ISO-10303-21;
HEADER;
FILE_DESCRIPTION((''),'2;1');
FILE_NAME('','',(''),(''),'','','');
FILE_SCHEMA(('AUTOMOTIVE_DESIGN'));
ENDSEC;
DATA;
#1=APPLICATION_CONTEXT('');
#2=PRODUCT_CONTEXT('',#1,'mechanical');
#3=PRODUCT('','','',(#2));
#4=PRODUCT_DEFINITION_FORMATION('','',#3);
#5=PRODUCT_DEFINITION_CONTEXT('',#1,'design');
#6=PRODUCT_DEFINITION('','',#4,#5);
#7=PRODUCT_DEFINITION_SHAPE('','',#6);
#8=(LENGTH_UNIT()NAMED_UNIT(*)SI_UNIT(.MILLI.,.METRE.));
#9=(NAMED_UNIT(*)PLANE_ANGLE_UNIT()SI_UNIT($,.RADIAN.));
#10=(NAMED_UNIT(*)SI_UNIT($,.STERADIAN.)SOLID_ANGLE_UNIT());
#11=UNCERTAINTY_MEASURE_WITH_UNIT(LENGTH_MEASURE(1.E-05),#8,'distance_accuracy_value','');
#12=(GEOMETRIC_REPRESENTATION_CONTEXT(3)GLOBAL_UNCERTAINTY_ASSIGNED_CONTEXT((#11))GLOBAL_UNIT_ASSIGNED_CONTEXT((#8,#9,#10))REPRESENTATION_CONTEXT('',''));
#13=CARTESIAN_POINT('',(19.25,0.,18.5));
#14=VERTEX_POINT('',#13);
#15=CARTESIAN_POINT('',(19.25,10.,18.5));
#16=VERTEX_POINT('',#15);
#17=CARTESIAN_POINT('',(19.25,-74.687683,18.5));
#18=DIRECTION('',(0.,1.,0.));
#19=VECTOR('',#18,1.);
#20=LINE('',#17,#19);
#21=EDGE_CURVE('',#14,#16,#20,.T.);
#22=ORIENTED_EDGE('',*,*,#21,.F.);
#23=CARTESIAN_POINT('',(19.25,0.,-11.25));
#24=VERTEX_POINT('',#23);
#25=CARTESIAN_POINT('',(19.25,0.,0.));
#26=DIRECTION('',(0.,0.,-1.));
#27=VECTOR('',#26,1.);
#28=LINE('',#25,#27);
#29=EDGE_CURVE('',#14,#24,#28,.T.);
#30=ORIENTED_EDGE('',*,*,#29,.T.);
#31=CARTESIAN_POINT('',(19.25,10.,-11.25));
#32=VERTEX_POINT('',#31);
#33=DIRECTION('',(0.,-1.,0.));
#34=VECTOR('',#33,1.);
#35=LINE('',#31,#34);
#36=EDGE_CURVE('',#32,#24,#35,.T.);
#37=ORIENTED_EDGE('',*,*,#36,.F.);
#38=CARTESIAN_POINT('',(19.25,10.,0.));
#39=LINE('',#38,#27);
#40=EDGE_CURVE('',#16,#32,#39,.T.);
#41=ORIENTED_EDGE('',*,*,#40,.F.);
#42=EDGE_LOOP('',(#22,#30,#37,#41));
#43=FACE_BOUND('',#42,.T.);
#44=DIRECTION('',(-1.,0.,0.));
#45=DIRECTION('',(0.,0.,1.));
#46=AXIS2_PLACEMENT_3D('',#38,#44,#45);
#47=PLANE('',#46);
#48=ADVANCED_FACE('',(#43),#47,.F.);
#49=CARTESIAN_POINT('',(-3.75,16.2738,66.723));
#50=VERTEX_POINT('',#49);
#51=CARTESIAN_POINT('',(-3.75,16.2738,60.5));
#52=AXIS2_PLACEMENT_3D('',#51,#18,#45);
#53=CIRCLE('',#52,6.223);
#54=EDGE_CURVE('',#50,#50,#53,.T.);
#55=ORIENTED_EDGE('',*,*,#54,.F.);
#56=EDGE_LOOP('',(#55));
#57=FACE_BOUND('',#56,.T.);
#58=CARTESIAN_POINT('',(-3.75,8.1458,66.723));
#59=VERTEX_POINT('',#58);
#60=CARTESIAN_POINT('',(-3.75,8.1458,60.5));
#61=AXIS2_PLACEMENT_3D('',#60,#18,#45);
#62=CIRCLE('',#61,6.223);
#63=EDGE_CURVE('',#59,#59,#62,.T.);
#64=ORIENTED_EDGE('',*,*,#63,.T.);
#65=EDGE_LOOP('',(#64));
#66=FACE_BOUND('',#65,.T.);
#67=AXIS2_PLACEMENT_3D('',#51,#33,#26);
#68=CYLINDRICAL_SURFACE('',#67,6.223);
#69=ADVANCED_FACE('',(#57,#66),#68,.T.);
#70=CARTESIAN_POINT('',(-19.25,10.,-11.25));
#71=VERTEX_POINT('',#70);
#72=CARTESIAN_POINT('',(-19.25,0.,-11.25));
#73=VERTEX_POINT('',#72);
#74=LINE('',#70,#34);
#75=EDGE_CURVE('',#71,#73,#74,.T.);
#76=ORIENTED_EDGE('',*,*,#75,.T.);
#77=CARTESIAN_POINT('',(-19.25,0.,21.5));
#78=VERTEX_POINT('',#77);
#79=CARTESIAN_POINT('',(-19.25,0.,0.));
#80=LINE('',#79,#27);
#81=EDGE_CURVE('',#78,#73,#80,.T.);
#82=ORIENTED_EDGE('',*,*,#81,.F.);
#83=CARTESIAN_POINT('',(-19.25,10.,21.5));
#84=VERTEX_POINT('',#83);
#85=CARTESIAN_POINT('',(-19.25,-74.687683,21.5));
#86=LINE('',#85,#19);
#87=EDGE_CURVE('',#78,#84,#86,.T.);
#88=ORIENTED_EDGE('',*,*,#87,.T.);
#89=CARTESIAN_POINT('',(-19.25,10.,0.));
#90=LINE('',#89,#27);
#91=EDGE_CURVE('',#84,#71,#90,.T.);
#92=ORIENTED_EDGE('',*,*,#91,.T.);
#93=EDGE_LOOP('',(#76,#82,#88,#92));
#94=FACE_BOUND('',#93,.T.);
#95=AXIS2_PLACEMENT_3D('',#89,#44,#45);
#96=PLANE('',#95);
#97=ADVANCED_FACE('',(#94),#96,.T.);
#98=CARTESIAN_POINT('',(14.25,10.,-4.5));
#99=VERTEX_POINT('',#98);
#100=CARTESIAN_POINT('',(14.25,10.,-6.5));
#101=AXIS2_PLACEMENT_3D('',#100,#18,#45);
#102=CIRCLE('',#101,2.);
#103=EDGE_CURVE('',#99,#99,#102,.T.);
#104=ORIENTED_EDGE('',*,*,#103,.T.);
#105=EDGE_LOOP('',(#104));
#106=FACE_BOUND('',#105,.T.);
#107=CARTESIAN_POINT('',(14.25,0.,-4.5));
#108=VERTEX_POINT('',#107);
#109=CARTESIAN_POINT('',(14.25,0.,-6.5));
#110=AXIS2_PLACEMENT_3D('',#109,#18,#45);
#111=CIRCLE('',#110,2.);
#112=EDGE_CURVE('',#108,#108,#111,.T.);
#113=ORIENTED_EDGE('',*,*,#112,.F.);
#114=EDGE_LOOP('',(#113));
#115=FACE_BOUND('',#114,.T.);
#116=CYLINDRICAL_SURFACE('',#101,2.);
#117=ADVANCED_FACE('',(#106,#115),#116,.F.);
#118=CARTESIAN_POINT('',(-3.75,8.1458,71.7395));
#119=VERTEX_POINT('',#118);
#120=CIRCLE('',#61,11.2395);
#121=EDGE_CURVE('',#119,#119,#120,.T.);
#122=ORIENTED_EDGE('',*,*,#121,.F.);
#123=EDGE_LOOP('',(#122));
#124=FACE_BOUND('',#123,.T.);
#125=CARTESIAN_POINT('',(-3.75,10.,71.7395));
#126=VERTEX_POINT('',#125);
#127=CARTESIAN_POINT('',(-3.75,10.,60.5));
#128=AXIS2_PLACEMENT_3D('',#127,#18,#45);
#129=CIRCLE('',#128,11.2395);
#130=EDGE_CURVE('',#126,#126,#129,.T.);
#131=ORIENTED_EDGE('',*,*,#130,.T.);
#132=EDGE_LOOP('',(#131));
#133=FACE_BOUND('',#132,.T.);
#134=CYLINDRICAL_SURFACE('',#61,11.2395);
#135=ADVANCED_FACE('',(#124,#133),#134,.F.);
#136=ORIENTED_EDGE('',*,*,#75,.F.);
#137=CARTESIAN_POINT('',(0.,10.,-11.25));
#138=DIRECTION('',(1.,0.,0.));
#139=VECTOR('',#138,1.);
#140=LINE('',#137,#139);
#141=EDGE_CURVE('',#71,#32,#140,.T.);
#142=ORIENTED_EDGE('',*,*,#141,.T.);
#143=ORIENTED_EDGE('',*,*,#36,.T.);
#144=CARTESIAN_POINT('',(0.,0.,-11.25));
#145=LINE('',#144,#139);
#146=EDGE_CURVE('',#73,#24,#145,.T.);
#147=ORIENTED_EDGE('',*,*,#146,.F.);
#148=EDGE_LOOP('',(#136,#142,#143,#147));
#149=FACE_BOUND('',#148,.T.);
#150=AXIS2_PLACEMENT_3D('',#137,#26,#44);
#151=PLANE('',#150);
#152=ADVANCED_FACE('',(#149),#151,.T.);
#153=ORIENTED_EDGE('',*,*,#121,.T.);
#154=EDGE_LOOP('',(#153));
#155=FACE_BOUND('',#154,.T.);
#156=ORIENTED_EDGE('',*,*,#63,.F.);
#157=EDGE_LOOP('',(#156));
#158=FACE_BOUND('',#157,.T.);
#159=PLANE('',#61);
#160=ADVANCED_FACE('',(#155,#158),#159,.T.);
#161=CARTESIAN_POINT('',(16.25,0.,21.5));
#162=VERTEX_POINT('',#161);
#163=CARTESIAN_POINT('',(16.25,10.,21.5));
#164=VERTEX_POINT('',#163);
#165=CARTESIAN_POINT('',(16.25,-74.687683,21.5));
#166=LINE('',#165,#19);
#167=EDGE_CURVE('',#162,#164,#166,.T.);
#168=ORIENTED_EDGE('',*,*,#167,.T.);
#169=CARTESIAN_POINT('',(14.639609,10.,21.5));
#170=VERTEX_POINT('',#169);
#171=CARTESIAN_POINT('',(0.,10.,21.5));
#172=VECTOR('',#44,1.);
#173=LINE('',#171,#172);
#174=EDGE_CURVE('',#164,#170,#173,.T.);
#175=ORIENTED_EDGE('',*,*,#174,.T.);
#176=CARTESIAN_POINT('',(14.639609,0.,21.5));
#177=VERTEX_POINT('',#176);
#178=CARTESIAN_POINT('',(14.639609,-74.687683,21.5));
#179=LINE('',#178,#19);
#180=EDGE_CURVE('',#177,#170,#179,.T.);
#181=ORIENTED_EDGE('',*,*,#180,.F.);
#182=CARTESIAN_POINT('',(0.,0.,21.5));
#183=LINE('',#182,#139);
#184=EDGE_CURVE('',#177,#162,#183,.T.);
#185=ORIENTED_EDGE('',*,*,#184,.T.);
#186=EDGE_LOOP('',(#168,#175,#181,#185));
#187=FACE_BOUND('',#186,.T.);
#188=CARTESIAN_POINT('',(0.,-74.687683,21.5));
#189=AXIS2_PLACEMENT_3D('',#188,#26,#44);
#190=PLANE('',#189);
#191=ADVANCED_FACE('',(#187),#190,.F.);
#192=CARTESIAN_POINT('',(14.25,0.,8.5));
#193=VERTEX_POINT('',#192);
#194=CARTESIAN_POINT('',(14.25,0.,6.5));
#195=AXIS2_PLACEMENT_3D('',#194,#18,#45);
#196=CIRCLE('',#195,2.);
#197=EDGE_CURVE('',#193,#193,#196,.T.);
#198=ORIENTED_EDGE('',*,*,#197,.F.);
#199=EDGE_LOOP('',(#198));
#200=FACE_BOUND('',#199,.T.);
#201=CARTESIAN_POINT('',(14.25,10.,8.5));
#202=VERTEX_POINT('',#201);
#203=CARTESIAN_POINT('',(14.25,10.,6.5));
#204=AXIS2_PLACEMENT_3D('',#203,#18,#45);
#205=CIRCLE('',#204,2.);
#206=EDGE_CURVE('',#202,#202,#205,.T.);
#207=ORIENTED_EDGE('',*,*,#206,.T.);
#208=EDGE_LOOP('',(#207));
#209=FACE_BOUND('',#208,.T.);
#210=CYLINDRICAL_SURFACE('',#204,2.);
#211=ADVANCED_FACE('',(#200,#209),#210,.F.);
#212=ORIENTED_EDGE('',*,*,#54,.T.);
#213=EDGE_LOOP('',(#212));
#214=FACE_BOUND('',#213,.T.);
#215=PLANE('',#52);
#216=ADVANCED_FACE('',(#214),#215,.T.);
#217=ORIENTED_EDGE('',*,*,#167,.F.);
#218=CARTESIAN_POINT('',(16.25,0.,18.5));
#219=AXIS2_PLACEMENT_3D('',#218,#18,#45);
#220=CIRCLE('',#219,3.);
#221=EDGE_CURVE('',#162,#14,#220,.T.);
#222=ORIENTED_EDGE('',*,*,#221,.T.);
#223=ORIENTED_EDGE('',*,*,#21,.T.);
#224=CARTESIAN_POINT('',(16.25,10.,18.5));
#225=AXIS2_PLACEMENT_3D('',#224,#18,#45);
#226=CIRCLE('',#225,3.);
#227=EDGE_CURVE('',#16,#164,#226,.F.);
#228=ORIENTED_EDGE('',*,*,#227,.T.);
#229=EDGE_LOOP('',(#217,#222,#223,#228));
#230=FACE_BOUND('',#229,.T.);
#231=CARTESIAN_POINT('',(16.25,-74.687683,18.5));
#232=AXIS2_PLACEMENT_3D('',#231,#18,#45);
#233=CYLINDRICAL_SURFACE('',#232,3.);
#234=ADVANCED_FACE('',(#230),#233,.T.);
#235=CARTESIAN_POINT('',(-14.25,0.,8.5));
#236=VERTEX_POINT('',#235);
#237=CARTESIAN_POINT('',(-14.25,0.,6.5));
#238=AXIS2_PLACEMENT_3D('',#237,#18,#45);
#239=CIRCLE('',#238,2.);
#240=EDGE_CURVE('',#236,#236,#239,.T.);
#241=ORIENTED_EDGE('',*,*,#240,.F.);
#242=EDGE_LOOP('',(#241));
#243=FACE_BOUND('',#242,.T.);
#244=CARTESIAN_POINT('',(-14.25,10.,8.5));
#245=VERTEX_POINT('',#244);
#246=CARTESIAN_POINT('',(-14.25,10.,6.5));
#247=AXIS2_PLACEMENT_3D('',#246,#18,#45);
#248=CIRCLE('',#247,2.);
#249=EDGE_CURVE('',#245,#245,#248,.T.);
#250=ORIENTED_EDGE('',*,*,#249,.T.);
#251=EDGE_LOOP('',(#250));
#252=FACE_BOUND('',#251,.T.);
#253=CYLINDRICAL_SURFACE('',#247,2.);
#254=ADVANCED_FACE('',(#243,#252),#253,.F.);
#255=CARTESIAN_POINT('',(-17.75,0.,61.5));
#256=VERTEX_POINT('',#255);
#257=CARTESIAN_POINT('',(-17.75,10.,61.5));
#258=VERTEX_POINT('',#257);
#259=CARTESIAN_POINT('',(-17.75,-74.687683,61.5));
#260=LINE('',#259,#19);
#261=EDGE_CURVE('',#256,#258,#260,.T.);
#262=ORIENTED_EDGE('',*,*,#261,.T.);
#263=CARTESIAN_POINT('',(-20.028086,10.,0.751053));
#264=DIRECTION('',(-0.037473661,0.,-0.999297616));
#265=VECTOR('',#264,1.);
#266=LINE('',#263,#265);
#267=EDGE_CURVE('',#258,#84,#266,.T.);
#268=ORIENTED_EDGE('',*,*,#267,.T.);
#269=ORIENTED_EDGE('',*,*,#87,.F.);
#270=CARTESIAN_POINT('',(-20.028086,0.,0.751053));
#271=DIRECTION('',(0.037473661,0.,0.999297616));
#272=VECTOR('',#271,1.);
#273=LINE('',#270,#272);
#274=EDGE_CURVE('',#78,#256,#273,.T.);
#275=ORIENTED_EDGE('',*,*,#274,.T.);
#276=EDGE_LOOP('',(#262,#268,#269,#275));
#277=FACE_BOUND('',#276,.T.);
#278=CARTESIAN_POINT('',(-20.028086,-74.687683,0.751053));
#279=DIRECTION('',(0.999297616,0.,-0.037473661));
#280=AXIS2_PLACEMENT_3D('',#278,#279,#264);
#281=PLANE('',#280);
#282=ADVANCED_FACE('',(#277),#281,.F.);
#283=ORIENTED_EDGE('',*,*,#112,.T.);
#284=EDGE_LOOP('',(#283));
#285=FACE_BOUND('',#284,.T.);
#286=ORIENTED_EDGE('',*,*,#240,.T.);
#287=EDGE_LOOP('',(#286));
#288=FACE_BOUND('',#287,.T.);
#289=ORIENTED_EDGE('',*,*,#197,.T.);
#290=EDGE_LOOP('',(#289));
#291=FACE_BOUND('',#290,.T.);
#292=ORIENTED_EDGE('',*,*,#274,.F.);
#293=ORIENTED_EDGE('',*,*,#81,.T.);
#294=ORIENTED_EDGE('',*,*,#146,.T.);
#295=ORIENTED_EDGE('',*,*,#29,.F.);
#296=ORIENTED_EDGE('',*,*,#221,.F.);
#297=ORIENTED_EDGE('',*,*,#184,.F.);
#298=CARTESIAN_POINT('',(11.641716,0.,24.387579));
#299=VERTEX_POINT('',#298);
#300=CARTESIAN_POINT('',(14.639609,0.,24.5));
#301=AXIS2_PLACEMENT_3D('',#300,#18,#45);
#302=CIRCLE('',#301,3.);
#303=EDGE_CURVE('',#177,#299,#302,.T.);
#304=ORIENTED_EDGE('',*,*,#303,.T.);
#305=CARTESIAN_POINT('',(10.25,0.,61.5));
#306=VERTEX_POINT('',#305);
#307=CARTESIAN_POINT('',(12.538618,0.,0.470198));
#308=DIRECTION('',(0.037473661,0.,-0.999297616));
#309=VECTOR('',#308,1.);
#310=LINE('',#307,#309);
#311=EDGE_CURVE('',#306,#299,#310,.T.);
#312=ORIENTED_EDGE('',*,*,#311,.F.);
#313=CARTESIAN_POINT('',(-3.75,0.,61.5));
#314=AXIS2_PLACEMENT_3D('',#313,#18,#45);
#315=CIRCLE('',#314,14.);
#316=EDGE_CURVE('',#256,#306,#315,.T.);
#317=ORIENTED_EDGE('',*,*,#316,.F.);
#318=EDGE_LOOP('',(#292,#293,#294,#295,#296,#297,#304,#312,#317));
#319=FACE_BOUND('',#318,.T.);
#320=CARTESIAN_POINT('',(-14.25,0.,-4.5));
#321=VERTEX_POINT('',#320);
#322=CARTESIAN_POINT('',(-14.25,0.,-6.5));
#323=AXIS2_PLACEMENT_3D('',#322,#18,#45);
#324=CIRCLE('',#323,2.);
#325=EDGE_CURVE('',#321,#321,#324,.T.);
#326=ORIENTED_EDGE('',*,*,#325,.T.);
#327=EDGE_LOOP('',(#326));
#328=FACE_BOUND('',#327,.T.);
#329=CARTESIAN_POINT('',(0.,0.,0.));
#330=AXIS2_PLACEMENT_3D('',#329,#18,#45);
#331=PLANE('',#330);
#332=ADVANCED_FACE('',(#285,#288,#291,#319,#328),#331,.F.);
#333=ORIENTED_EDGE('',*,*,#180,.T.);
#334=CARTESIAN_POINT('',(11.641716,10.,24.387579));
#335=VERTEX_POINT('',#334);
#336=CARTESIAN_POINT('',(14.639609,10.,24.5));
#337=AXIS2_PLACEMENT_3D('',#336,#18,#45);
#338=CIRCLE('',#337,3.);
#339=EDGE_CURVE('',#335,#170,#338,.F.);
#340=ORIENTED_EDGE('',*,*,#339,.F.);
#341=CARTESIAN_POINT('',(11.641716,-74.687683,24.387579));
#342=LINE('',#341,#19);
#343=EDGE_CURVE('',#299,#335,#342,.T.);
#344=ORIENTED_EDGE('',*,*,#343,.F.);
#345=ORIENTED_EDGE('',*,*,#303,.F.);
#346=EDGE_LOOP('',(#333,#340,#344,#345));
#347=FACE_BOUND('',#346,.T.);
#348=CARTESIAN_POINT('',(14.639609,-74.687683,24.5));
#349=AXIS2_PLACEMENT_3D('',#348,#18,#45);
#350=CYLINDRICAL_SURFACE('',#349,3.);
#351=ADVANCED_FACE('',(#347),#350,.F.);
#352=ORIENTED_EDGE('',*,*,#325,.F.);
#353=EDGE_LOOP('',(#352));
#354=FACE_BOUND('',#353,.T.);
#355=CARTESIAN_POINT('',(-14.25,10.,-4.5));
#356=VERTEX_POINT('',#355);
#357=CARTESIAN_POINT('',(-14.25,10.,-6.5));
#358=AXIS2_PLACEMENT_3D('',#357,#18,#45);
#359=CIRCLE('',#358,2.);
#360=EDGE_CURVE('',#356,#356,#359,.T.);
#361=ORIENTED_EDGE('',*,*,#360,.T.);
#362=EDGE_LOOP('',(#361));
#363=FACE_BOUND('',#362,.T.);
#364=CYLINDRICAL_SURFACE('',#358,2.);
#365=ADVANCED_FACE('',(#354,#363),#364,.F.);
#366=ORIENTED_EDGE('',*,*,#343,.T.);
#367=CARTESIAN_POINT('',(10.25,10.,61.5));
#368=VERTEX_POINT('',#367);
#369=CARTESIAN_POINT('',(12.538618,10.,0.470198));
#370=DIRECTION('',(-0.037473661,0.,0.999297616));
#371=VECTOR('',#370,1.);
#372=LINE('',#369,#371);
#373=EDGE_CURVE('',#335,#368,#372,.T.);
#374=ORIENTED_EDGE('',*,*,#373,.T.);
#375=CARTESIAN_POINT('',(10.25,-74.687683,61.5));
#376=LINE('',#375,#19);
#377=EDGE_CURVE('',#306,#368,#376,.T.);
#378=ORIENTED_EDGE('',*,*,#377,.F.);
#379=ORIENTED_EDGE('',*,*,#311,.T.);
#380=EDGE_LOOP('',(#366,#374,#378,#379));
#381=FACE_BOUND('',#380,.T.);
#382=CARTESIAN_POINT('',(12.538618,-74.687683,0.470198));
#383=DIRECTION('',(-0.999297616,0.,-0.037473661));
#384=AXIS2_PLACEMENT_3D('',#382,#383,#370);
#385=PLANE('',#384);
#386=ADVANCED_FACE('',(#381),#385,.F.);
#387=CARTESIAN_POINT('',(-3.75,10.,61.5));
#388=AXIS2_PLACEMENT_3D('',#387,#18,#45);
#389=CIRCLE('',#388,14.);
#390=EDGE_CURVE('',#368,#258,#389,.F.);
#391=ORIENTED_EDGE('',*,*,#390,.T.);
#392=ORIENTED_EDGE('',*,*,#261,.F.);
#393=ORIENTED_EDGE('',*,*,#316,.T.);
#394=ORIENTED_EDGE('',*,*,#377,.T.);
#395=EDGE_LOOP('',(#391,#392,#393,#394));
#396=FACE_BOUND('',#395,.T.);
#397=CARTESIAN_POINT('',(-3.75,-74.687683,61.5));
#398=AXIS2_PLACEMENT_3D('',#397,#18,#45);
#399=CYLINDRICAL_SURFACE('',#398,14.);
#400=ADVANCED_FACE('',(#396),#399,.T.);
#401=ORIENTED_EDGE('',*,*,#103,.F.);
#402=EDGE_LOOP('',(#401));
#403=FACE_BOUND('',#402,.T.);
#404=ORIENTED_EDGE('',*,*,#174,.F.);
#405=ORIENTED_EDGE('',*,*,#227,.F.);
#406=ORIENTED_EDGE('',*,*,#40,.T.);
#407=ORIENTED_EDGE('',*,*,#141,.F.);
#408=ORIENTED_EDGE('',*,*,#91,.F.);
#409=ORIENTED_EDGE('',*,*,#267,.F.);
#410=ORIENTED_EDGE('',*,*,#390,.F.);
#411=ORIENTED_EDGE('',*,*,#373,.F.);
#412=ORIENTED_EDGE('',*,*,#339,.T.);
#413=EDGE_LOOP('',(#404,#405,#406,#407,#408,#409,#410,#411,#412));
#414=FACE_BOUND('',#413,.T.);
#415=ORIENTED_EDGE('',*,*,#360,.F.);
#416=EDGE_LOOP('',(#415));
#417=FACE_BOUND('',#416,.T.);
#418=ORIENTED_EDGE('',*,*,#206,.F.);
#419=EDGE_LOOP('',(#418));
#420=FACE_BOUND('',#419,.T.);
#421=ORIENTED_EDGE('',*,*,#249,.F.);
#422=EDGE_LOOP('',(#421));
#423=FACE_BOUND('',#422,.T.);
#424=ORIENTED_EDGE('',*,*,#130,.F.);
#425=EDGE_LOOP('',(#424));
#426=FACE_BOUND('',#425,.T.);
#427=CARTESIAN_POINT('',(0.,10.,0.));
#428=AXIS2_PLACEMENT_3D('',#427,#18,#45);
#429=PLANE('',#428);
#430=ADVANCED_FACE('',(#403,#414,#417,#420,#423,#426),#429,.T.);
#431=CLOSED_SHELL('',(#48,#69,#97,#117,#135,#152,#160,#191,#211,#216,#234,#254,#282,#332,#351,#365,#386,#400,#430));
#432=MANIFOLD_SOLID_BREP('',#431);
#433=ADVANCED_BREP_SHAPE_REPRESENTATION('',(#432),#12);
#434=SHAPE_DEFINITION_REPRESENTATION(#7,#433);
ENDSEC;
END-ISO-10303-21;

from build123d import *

# Parameters (mm, degrees)
SKETCH1_W             = 38.5
SKETCH1_H             = 22.75
BOSS_EXTRUDE1_DEPTH   = 10
F_4_0MM_DOWEL_HOLE1_D = 4
BOSS_EXTRUDE2_DEPTH   = 10
SKETCH5_R             = 11.2395
CUT_EXTRUDE1_DEPTH    = 1.8542
SKETCH6_R             = 6.223
BOSS_EXTRUDE3_DEPTH   = 8.128


with BuildPart() as part:
    # Sketch1 → Boss-Extrude1 (new body)
    with BuildSketch(Plane(origin=(0, 0, 0), x_dir=(1, 0, 0), z_dir=(0, 1, 0))):
        with Locations((0, -0.125)):
            Rectangle(SKETCH1_W, SKETCH1_H)
    extrude(amount=BOSS_EXTRUDE1_DEPTH)

    # Ø4.0mm Dowel Hole1 (through all)
    with Locations(Plane(origin=(0, 10, 0), x_dir=(1, 0, 0), z_dir=(0, 1, 0))):
        with Locations((14.25, 6.5), (-14.25, -6.5), (-14.25, 6.5), (14.25, -6.5)):
            Hole(F_4_0MM_DOWEL_HOLE1_D / 2)

    # Sketch4 → Boss-Extrude2 (add)
    with BuildSketch(Plane.XZ.offset(-10)):
        with BuildLine():
            Line((-19.25, 21.5), (-19.25, 11.5))
            Line((-19.25, 11.5), (19.25, 11.5))
            Line((19.25, 11.5), (19.25, 18.5))
            ThreePointArc((19.25, 18.5), (18.371320344, 20.621320344), (16.25, 21.5))
            Line((16.25, 21.5), (14.639608634, 21.5))
            ThreePointArc((14.639608634, 21.5), (12.558414619, 22.339298384), (11.641715787, 24.387579018))
            Line((11.641715787, 24.387579018), (10.25, 61.5))
            ThreePointArc((10.25, 61.5), (-3.75, 75.5), (-17.75, 61.5))
            Line((-17.75, 61.5), (-19.25, 21.5))
        make_face()
    extrude(amount=BOSS_EXTRUDE2_DEPTH)

    # Sketch5 → Cut-Extrude1 (cut)
    with BuildSketch(Plane(origin=(0, 10, 0), x_dir=(1, 0, 0), z_dir=(0, 1, 0))):
        with Locations(Location((-3.75, -60.5, 0), (0, 0, 270))):
            Circle(SKETCH5_R)
    extrude(amount=-CUT_EXTRUDE1_DEPTH, mode=Mode.SUBTRACT)

    # Sketch6 → Boss-Extrude3 (add)
    with BuildSketch(Plane(origin=(0, 8.1458, 0), x_dir=(1, 0, 0), z_dir=(0, 1, 0))):
        with Locations(Location((-3.75, -60.5, 0), (0, 0, 270))):
            Circle(SKETCH6_R)
    extrude(amount=BOSS_EXTRUDE3_DEPTH)


solid = part.part
